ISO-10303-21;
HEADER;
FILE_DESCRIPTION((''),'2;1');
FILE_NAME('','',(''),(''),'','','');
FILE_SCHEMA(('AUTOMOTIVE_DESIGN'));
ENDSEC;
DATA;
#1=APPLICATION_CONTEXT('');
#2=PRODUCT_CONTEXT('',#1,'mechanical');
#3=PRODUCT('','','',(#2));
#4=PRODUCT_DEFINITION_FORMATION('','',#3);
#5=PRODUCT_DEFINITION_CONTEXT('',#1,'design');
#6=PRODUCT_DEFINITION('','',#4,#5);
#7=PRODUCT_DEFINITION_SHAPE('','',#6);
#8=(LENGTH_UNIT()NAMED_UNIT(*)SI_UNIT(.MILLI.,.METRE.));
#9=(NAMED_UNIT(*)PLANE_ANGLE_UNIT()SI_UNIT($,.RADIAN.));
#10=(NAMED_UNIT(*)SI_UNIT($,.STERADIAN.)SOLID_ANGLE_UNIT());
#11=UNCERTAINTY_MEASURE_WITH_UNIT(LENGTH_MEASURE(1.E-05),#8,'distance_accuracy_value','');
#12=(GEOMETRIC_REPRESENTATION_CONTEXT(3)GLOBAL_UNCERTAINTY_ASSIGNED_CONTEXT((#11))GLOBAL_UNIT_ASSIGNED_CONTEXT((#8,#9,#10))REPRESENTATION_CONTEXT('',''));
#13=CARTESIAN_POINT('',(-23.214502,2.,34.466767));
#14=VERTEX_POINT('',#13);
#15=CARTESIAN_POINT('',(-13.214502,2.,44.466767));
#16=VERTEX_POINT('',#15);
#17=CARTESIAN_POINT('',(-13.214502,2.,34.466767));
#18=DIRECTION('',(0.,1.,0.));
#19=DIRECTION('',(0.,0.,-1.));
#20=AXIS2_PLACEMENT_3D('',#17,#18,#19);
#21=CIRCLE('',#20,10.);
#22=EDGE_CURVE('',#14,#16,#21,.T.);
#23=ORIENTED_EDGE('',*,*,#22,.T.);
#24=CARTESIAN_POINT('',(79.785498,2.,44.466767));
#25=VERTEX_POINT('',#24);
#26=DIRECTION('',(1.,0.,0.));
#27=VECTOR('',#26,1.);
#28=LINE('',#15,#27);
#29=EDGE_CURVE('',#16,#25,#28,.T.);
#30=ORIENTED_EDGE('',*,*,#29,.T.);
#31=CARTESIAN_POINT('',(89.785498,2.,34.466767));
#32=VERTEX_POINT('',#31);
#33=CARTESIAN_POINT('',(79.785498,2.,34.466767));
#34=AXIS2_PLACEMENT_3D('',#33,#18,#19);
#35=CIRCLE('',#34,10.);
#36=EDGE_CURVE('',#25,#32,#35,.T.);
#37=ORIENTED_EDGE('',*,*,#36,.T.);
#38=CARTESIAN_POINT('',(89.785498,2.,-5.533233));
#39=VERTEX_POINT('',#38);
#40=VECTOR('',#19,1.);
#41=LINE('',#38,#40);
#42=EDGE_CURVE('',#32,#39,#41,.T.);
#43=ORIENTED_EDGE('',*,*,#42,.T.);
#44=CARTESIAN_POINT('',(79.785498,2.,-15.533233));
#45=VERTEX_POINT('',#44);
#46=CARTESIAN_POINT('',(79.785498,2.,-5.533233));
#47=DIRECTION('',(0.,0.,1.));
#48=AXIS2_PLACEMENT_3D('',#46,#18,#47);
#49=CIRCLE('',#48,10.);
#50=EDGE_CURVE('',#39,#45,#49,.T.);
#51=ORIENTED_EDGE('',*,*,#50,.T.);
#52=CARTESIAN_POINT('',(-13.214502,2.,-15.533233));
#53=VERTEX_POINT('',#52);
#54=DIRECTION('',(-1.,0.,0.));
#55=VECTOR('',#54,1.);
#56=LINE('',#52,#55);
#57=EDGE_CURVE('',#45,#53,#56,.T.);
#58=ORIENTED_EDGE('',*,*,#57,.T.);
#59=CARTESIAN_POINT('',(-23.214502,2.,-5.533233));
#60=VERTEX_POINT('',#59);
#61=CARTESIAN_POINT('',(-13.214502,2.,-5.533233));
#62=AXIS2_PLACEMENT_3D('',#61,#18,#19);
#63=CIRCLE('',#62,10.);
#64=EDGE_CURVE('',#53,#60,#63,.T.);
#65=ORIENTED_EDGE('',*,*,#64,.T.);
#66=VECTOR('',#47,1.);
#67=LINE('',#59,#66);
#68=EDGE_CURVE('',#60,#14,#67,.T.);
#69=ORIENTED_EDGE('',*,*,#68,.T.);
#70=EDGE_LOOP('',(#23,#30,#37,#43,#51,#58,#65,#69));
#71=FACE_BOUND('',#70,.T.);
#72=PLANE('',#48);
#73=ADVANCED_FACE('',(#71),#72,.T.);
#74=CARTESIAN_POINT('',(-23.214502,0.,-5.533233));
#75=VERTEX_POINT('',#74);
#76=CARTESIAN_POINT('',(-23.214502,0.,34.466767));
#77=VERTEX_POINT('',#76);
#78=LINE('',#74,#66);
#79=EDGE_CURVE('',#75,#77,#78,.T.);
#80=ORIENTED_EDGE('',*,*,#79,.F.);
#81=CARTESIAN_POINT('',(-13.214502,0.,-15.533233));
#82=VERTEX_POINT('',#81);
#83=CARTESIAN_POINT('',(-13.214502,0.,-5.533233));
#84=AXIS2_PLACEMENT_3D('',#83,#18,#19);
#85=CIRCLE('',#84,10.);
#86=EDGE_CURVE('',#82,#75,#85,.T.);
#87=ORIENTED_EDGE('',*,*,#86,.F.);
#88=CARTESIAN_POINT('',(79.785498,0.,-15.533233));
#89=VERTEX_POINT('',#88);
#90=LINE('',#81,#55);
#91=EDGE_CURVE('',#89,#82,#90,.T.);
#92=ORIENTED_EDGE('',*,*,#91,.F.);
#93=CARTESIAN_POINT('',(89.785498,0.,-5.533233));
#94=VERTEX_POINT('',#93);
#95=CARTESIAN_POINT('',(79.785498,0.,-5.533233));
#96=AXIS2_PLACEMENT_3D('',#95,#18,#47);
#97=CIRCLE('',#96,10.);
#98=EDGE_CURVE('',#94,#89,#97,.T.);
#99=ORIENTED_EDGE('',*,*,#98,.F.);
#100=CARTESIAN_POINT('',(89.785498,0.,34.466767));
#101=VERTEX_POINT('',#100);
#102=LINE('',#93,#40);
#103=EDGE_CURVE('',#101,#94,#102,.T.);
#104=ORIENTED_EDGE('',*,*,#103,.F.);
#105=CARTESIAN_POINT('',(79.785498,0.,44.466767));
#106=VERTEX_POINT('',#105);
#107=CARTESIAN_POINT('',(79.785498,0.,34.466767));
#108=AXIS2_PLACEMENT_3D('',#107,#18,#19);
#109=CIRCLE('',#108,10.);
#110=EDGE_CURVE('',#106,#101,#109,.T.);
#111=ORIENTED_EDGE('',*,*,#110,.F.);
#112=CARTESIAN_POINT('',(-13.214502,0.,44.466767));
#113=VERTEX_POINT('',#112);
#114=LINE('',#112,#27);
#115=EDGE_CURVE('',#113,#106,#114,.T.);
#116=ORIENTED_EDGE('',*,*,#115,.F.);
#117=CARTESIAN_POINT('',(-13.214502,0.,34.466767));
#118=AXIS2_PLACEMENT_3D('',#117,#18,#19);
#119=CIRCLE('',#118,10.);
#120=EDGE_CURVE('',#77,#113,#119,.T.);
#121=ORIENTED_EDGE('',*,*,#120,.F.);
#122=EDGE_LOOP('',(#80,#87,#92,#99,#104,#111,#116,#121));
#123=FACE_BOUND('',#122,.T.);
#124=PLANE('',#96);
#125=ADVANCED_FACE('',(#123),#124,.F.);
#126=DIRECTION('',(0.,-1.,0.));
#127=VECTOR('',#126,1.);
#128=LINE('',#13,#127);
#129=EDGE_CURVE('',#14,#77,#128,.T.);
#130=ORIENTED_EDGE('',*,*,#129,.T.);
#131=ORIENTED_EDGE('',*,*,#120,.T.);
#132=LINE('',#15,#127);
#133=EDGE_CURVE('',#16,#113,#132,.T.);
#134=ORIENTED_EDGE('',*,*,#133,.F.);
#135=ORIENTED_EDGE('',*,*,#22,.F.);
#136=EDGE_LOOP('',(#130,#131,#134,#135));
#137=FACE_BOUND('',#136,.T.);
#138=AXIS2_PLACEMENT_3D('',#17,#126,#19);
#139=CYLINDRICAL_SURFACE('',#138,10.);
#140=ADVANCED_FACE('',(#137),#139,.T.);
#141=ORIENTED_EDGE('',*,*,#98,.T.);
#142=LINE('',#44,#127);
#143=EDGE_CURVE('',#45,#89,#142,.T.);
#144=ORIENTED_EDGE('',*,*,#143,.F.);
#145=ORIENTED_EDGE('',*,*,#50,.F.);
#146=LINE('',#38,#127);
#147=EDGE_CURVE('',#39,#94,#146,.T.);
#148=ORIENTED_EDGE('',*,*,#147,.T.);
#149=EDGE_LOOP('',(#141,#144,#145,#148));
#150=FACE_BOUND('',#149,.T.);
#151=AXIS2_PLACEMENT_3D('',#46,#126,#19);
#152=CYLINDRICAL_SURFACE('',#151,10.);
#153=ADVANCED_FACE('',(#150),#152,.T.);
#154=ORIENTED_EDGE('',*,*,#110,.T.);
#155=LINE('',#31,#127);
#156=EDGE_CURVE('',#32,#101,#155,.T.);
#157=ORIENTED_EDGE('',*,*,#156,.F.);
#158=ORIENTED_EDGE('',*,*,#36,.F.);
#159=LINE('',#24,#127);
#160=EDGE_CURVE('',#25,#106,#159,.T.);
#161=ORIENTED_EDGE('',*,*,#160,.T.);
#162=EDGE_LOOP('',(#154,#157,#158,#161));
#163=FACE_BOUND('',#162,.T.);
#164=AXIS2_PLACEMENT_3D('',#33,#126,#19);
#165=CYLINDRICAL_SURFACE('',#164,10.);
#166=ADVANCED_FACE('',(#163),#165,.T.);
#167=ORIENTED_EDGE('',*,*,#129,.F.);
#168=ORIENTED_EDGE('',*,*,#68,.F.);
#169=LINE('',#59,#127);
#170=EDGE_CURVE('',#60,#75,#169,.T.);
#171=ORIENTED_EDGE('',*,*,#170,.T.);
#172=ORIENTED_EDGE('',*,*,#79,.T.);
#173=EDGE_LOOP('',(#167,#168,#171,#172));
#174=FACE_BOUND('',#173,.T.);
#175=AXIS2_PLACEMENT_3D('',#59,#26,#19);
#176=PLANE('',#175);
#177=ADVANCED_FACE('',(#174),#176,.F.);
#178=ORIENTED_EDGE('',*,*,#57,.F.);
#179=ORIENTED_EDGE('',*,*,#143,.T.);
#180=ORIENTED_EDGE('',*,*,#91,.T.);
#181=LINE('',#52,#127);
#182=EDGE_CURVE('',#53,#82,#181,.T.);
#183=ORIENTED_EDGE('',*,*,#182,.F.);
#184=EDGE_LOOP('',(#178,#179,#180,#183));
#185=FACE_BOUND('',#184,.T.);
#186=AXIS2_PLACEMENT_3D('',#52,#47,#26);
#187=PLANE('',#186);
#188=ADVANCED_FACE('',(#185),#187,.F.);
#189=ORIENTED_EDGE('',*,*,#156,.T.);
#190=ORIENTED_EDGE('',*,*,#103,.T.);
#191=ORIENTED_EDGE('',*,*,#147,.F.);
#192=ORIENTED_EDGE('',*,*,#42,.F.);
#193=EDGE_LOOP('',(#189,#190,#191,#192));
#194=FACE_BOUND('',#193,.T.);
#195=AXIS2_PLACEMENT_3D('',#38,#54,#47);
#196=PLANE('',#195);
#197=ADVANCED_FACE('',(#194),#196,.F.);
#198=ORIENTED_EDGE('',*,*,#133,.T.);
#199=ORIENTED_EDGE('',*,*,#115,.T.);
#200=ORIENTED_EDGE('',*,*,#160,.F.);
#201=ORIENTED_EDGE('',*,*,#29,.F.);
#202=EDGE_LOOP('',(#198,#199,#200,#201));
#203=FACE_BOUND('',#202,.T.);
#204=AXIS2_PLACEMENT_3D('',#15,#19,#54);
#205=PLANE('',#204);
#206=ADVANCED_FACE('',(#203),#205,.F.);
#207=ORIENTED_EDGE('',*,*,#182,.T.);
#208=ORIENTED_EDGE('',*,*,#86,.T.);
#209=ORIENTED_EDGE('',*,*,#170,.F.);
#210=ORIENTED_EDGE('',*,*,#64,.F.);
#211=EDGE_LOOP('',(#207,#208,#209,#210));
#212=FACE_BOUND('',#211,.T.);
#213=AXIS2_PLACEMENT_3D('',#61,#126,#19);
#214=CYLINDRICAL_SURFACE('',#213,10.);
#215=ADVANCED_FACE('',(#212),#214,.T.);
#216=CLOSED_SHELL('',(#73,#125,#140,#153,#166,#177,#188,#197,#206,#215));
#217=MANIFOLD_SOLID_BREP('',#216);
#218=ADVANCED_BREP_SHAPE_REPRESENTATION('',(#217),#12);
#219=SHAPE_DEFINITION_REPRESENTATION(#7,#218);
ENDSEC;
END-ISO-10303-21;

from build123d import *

# Parameters (mm, degrees)
RESSALTO_EXTRUS_O1_DEPTH = 2


with BuildPart() as part:
    # Esboço1 → Ressalto-extrusão1 (new body)
    with BuildSketch(Plane(origin=(0, 0, 0), x_dir=(1, 0, 0), z_dir=(0, 1, 0))):
        with BuildLine():
            Line((-13.214501511, 15.533232628), (79.785498489, 15.533232628))
            ThreePointArc((79.785498489, 15.533232628), (86.856566301, 12.60430044), (89.785498489, 5.533232628))
            Line((89.785498489, 5.533232628), (89.785498489, -34.466767372))
            ThreePointArc((89.785498489, -34.466767372), (86.856566301, -41.537835183), (79.785498489, -44.466767372))
            Line((79.785498489, -44.466767372), (-13.214501511, -44.466767372))
            ThreePointArc((-13.214501511, -44.466767372), (-20.285569322, -41.537835183), (-23.214501511, -34.466767372))
            Line((-23.214501511, -34.466767372), (-23.214501511, 5.533232628))
            ThreePointArc((-23.214501511, 5.533232628), (-20.285569322, 12.60430044), (-13.214501511, 15.533232628))
        make_face()
    extrude(amount=RESSALTO_EXTRUS_O1_DEPTH)


solid = part.part
